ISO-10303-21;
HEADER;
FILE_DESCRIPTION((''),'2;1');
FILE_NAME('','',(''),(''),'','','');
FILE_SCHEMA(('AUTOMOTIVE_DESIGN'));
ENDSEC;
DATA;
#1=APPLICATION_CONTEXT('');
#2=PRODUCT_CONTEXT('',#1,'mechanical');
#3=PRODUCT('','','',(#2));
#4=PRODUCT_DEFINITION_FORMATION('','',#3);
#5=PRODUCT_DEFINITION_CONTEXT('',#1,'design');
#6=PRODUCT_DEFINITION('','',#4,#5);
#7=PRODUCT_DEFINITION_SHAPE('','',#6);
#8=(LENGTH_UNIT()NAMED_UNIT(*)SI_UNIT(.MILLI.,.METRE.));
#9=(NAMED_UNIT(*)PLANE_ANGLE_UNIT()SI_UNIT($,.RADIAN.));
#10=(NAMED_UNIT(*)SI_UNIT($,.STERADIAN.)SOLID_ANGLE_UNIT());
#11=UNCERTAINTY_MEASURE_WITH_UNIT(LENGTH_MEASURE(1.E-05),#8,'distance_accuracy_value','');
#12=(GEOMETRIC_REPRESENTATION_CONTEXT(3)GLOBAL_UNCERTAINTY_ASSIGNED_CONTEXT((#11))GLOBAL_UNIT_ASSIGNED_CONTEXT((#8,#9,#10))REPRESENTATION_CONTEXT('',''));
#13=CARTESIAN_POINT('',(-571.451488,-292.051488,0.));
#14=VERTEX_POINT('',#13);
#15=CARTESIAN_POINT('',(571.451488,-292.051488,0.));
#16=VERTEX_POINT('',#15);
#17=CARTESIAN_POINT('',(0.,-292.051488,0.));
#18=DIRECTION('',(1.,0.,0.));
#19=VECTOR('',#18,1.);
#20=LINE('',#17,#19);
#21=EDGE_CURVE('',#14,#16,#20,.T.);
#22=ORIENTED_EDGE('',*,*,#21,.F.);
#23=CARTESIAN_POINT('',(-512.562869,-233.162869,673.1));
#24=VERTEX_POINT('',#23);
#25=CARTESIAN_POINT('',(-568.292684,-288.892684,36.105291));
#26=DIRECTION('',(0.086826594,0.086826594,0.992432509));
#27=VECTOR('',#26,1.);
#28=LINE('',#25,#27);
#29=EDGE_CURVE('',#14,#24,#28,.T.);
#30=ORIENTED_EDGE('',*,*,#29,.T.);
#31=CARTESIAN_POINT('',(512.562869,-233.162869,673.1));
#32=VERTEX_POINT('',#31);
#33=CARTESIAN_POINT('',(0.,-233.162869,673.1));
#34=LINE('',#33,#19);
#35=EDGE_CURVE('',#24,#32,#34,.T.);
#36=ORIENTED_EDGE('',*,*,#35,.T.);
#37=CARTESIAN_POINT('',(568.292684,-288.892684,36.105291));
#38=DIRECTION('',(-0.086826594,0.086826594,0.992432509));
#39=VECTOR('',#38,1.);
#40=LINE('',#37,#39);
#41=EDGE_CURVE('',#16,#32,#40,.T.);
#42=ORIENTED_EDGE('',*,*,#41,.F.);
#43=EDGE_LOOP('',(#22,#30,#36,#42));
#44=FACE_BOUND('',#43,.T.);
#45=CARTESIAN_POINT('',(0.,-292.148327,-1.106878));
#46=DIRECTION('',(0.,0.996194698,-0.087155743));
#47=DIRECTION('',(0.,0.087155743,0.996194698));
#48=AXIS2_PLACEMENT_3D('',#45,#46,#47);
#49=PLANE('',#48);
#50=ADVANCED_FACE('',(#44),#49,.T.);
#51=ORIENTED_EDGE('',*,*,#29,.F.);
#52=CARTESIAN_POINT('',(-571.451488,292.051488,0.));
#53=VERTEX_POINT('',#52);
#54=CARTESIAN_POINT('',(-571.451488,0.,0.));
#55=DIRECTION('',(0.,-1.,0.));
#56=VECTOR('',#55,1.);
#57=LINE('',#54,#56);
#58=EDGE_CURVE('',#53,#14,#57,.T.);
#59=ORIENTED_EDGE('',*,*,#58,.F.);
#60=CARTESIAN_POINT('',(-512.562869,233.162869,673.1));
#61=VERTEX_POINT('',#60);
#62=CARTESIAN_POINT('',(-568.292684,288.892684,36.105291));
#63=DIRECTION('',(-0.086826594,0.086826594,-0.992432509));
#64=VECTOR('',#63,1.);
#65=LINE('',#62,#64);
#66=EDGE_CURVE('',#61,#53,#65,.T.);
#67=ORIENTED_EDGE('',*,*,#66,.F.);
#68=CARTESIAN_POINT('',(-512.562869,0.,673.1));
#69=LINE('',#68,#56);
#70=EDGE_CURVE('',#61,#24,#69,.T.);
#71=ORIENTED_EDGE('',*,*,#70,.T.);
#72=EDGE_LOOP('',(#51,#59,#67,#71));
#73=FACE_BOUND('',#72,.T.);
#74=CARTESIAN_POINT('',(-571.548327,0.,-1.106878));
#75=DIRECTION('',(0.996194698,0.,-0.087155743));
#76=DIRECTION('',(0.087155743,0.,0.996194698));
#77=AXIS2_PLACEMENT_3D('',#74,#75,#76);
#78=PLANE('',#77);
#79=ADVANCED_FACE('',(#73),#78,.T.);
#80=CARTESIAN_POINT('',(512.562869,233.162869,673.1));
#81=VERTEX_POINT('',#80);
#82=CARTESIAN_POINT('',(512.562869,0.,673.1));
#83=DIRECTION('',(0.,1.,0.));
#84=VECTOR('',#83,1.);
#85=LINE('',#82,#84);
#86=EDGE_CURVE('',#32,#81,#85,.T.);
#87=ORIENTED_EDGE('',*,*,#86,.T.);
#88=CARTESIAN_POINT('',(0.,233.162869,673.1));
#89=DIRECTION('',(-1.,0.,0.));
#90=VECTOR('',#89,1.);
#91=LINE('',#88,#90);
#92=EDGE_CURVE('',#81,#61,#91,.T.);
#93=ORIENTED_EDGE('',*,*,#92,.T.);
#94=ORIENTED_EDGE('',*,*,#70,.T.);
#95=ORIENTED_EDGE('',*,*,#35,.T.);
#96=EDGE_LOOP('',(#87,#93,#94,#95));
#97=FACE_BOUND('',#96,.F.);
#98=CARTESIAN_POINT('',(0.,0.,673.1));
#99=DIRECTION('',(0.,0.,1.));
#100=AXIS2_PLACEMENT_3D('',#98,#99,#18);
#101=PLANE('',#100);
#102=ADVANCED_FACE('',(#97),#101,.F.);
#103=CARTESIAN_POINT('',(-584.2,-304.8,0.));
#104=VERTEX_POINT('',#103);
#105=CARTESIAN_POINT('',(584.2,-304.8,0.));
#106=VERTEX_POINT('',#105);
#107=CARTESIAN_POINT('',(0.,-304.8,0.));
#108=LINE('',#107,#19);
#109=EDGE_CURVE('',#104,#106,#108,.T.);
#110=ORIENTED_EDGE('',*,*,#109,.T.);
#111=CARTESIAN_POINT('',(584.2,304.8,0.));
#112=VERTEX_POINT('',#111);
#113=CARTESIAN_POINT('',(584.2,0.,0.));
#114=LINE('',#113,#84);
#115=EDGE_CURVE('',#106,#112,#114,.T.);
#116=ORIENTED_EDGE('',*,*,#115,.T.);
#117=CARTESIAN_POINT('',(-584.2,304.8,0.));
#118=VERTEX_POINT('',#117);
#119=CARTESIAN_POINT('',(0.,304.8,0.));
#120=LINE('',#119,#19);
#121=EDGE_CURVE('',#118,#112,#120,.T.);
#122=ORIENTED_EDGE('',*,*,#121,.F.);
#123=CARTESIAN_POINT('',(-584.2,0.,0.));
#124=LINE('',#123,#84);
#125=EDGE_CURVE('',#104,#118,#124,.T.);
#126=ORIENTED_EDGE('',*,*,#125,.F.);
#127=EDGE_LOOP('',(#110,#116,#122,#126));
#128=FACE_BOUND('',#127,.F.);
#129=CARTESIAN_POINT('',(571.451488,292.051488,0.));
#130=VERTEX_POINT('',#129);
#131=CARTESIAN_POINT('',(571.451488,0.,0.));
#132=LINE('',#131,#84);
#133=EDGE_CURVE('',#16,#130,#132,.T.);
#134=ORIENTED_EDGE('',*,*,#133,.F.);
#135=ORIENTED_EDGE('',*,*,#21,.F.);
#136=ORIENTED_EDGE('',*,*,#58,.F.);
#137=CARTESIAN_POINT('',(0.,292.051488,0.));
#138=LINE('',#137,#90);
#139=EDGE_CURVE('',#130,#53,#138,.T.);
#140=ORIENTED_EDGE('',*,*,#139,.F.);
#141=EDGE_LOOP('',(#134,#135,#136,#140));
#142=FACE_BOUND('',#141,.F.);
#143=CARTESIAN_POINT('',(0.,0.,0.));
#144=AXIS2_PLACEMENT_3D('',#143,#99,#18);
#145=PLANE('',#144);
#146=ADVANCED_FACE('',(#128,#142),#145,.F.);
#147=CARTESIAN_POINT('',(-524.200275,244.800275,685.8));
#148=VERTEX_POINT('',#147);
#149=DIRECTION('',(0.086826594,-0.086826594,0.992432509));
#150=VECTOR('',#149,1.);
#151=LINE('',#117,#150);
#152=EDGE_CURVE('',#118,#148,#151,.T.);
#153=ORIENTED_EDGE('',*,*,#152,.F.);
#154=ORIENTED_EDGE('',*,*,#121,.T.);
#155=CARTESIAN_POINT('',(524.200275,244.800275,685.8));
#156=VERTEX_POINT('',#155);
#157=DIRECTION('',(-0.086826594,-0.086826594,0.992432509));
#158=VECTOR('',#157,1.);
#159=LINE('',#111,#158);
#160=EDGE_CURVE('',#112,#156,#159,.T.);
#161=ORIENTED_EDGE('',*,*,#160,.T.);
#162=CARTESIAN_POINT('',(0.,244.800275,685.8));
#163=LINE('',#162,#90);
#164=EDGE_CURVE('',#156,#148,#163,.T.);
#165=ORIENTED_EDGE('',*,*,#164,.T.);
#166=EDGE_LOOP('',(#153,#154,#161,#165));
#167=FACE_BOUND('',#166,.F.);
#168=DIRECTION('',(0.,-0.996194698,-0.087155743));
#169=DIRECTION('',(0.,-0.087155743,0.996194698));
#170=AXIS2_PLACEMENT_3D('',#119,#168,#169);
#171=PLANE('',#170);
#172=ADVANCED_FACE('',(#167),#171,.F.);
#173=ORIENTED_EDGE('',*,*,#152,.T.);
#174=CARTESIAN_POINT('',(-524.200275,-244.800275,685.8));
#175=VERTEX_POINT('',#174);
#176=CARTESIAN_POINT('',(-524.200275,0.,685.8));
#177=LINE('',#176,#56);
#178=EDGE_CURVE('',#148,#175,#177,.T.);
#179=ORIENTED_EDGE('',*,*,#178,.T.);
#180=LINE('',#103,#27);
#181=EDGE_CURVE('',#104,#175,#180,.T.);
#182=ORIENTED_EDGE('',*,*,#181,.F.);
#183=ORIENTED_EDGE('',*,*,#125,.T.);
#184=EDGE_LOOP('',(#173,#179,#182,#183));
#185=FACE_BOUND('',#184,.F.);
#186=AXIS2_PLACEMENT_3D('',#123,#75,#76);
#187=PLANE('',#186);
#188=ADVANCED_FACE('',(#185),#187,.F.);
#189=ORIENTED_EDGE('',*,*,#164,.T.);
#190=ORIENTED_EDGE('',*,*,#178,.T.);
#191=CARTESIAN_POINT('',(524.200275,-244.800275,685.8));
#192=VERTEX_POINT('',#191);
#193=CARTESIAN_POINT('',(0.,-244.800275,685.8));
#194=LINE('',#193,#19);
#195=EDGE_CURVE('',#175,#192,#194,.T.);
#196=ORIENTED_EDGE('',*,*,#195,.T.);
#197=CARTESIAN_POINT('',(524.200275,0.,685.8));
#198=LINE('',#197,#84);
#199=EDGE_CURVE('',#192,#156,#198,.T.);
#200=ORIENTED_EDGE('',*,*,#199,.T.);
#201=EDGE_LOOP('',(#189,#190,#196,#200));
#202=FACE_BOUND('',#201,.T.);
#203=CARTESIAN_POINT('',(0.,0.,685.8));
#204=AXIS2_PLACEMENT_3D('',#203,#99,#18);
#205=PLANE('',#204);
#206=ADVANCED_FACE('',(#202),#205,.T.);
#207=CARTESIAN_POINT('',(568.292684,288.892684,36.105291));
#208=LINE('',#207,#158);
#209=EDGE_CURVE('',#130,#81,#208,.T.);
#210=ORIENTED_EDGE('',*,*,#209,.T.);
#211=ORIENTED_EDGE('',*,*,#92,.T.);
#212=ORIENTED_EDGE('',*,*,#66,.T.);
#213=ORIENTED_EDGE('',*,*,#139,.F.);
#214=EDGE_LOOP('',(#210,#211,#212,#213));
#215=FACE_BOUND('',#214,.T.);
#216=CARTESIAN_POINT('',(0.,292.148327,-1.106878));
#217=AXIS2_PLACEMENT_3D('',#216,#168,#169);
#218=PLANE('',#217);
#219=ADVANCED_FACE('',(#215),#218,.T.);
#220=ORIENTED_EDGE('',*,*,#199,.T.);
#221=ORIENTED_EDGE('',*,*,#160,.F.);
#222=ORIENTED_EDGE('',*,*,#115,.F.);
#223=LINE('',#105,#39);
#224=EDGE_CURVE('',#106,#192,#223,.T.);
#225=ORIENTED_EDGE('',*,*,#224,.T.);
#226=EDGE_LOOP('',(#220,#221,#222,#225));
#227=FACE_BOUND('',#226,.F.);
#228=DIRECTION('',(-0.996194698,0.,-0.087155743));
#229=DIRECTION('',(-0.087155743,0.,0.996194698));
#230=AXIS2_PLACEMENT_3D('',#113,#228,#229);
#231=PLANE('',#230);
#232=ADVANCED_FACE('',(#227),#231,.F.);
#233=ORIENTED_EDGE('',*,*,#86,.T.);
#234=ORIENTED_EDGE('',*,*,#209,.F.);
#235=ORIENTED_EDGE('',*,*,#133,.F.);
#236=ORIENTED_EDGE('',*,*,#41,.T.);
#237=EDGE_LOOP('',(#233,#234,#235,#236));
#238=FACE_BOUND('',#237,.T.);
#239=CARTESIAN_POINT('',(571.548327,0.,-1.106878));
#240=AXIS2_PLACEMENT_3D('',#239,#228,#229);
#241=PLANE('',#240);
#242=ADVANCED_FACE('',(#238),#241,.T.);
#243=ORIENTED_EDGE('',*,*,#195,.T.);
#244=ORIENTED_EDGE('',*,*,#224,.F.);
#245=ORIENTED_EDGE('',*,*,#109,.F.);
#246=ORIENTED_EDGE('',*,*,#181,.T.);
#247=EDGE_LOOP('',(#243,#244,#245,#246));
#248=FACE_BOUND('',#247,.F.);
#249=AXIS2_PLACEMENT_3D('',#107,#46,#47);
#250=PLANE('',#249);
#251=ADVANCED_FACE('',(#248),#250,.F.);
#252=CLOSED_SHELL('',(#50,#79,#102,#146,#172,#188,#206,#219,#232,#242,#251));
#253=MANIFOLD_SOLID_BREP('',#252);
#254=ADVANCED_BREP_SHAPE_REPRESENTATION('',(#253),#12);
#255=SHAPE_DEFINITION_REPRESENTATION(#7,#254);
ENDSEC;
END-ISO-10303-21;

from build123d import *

# Parameters (mm, degrees)
F0_W     = 1168.4
F0_H     = 609.6
F1_DEPTH = 685.8
F1_TAPER = 5
F2_T     = -12.7


with BuildPart() as f1:
    # F0 (on Top) → F1 (new body)
    with BuildSketch(Plane.XY):
        Rectangle(F0_W, F0_H)
    extrude(amount=F1_DEPTH, taper=F1_TAPER)

    # F2
    f2_openings = [f1.faces().sort_by_distance(p)[0] for p in [
        (0, 0, 0),
    ]]
    offset(amount=F2_T, openings=f2_openings)


solid = f1.part
